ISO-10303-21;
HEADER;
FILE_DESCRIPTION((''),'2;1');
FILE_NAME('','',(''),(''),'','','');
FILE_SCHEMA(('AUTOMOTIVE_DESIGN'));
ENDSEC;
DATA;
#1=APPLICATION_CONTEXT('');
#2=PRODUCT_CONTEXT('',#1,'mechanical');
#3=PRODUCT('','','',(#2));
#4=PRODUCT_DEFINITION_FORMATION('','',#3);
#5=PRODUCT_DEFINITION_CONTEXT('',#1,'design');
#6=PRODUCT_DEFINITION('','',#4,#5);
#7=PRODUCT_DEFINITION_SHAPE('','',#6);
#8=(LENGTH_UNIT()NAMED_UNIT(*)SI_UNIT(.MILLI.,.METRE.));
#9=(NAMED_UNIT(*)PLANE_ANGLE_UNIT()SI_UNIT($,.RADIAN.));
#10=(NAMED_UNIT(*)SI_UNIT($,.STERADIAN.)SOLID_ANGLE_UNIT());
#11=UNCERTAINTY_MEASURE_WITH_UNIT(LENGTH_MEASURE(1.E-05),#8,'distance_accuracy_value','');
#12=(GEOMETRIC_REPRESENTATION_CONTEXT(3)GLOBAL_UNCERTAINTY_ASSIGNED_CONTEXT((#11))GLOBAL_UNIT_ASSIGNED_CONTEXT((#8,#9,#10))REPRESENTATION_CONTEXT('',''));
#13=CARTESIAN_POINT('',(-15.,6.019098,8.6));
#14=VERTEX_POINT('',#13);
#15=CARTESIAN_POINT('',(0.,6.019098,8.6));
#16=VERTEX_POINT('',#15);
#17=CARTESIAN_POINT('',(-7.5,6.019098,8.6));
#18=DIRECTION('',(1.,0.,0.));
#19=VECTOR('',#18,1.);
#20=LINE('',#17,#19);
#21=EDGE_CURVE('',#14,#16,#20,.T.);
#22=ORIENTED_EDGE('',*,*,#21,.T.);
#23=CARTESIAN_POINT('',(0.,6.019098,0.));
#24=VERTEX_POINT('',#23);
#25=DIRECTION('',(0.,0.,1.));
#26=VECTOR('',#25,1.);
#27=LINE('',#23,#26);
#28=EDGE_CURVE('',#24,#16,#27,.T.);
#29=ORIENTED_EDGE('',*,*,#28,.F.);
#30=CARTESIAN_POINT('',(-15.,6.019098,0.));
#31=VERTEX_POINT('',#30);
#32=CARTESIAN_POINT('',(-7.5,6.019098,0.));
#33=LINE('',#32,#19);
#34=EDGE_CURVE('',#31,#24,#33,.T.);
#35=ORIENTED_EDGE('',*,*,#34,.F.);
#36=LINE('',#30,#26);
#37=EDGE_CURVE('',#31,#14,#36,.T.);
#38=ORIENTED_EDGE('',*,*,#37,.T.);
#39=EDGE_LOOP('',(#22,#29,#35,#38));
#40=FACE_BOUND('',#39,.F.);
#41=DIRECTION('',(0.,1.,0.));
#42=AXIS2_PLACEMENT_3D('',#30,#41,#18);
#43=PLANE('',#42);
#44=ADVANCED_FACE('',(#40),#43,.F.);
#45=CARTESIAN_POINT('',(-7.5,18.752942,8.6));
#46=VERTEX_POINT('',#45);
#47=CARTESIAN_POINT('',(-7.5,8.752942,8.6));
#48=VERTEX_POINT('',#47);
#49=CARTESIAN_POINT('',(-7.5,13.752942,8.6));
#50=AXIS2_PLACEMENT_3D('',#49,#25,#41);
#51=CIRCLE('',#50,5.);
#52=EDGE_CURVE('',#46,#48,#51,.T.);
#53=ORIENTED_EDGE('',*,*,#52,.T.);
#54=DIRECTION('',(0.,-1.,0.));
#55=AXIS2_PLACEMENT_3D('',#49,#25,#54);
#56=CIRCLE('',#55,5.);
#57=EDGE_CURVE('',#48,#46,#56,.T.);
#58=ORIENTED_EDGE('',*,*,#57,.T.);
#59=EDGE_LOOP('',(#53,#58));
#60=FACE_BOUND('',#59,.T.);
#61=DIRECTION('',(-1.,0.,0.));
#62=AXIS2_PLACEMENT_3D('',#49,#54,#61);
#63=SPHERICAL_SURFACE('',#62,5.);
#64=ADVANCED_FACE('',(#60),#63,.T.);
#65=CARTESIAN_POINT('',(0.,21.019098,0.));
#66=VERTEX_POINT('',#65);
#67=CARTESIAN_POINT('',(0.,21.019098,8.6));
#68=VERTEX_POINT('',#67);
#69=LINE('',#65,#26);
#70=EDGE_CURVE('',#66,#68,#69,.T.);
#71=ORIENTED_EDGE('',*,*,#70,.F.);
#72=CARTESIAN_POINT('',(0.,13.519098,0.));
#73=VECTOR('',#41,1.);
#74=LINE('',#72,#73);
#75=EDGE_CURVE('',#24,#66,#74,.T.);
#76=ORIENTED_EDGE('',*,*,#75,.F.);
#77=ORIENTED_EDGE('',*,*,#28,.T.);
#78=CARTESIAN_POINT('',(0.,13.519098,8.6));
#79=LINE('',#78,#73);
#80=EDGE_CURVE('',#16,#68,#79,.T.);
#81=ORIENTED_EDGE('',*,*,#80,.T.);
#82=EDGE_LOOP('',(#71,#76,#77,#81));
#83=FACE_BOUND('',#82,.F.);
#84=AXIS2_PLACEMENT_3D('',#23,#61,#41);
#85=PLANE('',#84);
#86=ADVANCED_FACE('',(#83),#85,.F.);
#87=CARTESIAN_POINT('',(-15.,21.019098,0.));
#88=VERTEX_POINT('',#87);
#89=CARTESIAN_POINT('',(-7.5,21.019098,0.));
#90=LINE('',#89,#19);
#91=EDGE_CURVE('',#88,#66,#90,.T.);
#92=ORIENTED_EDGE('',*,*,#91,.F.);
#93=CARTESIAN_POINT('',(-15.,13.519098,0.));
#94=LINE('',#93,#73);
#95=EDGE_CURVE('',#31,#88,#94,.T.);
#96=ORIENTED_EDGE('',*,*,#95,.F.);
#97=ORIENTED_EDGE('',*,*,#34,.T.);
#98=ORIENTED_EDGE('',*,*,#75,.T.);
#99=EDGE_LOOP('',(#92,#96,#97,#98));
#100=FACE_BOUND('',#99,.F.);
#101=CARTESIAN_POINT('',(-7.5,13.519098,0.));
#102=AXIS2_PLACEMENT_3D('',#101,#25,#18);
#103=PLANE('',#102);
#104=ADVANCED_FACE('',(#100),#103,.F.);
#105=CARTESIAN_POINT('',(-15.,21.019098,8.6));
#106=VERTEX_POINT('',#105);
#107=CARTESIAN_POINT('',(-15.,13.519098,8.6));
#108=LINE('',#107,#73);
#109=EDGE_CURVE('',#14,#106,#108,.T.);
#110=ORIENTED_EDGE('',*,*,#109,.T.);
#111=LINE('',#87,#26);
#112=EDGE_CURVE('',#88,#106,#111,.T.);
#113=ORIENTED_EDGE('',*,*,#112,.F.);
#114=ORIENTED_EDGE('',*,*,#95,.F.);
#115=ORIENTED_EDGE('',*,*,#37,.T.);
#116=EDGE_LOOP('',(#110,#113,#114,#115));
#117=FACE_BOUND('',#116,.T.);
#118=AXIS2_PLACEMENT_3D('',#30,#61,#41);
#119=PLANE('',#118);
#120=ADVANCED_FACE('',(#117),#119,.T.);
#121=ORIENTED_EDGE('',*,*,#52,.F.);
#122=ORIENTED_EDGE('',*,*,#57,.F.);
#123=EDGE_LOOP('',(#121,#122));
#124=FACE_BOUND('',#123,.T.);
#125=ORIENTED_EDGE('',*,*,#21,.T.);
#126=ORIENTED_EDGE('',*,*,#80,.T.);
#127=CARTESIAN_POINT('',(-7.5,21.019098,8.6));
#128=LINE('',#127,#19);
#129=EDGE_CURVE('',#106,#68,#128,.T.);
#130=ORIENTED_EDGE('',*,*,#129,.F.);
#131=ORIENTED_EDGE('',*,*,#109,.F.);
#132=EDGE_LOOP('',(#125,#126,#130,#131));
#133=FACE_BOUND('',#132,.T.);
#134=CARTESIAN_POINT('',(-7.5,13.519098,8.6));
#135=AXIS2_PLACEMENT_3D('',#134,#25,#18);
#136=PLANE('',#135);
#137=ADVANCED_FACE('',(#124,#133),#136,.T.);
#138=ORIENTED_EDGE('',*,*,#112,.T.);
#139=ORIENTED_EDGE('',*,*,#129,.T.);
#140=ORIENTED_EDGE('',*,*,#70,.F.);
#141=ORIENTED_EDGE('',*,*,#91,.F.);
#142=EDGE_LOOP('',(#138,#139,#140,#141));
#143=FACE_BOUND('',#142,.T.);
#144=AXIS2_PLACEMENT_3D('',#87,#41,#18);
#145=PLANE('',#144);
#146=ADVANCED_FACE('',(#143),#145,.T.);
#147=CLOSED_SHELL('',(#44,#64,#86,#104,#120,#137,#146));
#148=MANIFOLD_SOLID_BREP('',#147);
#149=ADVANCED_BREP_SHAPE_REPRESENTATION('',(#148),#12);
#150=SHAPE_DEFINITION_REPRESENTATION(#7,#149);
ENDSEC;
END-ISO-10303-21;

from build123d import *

# Parameters (mm, degrees)
F0_W     = 15
F0_H     = 15
F1_DEPTH = 8.6


with BuildPart() as f1:
    # F0 (on Top) → F1 (new body)
    with BuildSketch(Plane.XY):
        with Locations((-7.5, 13.519098)):
            Rectangle(F0_W, F0_H)
    extrude(amount=F1_DEPTH)

    # F2 (on face) → F3 (revolve)
    with BuildSketch(Plane.XY.offset(8.6)):
        with BuildLine():
            Line((-7.5, 8.752942), (-7.5, 18.752942))
            ThreePointArc((-7.5, 18.752942), (-12.5, 13.752942), (-7.5, 8.752942))
        make_face()
    revolve(axis=Axis((-7.5, 13.752942, 8.6), (0, -1, 0)))


solid = f1.part
